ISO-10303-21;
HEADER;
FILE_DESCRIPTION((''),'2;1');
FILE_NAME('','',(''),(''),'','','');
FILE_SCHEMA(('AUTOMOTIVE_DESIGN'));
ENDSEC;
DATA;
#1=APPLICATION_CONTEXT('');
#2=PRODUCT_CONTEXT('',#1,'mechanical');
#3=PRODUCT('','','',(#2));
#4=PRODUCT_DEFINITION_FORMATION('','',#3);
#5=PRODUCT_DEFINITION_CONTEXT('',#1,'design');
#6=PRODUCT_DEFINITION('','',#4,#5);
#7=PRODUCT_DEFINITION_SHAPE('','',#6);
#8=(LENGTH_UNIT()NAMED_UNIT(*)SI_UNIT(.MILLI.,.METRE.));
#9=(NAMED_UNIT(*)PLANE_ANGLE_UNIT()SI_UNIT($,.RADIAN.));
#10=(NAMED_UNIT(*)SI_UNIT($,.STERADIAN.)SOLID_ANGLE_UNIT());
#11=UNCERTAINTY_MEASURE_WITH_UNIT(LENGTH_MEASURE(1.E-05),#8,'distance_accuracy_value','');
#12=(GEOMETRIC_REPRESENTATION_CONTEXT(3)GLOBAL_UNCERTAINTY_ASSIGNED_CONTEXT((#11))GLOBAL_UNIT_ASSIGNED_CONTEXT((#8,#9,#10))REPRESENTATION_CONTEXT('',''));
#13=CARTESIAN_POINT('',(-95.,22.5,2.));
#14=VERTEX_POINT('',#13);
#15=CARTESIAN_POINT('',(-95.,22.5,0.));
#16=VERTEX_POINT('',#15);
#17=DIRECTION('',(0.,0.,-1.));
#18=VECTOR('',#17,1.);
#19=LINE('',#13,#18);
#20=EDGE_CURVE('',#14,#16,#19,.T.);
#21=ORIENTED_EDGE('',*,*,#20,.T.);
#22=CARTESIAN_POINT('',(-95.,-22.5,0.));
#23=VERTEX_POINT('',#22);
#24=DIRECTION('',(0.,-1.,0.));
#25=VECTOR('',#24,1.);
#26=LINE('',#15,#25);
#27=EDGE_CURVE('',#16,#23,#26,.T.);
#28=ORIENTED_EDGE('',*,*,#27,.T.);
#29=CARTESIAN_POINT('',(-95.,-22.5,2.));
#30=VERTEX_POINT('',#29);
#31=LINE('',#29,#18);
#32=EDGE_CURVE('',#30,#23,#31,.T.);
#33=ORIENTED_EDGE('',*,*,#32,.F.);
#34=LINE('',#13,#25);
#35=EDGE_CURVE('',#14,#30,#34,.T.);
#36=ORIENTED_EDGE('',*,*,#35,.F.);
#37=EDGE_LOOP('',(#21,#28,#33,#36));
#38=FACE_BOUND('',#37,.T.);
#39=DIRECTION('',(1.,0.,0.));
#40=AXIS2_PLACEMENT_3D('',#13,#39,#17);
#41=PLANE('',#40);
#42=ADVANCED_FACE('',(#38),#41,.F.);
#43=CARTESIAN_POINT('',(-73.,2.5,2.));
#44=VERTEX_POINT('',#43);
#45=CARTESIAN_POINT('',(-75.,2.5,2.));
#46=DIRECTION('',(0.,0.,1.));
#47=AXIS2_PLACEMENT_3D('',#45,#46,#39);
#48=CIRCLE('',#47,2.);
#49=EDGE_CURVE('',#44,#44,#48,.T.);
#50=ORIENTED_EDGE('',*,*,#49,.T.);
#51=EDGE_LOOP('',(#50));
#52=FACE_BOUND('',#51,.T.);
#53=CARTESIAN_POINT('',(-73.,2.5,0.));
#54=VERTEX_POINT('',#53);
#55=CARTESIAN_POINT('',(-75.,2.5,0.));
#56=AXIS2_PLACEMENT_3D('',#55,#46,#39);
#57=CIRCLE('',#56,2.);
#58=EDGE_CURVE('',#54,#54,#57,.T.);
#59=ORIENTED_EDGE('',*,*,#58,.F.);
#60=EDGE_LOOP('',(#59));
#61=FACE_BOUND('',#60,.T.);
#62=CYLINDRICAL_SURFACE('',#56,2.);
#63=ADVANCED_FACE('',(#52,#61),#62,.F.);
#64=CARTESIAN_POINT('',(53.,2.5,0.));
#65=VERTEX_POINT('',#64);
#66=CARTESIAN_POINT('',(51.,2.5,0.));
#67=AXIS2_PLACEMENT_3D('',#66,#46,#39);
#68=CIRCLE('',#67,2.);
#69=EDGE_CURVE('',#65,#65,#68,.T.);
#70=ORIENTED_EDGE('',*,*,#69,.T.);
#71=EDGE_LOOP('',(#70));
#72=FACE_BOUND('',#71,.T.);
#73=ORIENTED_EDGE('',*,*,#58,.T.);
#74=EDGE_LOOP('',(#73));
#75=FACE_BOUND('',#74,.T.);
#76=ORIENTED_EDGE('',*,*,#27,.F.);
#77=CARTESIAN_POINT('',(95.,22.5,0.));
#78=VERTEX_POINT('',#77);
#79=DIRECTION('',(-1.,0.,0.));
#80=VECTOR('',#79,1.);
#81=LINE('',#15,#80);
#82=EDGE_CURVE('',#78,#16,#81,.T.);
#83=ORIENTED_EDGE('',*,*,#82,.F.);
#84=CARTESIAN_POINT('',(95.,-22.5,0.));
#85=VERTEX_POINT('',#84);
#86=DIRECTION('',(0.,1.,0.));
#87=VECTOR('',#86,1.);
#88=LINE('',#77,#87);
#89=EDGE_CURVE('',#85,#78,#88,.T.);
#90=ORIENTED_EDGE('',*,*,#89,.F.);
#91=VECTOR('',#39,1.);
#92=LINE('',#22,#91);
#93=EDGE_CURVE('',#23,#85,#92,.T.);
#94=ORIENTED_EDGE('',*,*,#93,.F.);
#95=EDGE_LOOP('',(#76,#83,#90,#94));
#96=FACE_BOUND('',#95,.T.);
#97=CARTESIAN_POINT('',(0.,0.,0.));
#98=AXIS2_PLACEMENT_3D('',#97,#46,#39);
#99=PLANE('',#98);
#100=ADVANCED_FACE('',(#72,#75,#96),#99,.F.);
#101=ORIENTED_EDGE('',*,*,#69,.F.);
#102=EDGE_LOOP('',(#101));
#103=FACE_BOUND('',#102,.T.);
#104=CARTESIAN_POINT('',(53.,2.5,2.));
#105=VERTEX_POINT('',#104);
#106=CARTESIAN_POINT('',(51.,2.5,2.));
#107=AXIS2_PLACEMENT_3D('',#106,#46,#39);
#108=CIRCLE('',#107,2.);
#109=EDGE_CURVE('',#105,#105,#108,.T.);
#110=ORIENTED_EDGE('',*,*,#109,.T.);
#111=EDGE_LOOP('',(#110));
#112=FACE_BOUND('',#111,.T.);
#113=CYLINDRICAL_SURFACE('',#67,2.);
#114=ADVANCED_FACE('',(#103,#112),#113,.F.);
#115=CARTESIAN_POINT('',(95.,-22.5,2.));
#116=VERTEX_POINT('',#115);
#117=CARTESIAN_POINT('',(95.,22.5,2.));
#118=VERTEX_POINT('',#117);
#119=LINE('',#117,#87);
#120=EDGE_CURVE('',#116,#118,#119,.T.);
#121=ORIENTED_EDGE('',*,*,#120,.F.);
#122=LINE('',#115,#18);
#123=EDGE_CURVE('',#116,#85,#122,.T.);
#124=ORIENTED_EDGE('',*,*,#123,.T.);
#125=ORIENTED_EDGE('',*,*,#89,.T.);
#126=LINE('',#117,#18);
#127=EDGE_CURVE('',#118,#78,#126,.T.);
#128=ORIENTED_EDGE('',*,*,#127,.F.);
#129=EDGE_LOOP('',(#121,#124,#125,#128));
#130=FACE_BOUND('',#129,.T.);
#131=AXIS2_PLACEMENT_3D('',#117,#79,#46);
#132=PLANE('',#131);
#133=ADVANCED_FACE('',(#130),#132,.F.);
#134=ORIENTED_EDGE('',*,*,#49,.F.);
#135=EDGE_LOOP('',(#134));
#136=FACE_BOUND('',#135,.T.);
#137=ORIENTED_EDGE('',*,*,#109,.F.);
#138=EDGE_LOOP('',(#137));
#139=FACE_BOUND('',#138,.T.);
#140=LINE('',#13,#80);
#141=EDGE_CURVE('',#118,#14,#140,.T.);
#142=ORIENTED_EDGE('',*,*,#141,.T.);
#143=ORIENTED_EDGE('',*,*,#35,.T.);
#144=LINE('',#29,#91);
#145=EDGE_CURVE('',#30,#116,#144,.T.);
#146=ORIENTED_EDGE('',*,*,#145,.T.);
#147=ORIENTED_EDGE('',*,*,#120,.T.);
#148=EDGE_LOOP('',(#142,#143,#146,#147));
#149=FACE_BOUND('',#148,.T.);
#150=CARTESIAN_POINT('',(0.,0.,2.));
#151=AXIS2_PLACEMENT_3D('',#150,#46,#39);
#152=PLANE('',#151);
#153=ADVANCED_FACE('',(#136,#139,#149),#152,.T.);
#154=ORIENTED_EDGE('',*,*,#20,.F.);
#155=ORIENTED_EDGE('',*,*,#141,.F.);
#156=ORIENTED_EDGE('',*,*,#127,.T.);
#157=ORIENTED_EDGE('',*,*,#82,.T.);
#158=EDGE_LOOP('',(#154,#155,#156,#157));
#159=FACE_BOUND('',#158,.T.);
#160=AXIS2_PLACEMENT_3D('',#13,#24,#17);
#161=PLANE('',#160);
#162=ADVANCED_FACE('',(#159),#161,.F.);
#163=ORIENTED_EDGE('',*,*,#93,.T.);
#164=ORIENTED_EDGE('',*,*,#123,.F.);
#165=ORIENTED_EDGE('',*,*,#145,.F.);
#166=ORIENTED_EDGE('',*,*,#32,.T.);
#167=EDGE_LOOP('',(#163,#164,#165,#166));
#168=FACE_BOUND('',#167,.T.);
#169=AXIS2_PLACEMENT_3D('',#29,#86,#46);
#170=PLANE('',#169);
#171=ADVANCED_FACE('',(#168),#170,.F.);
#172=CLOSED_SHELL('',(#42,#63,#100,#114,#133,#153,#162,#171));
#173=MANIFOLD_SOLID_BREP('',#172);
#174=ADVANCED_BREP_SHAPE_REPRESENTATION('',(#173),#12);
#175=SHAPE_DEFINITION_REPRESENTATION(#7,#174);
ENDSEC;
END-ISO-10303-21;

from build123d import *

# Parameters (mm, degrees)
SKETCH2_W           = 190
SKETCH2_H           = 45
BOSS_EXTRUDE1_DEPTH = 2
SKETCH3_R           = 2
CUT_EXTRUDE1_DEPTH  = 2


with BuildPart() as part:
    # Sketch2 → Boss-Extrude1 (new body)
    with BuildSketch(Plane.XY):
        Rectangle(SKETCH2_W, SKETCH2_H)
    extrude(amount=BOSS_EXTRUDE1_DEPTH)

    # Sketch3 → Cut-Extrude1 (cut)
    with BuildSketch(Plane.XY.offset(2)):
        with Locations((-75, 2.5)):
            Circle(SKETCH3_R)
        with Locations((51, 2.5)):
            Circle(SKETCH3_R)
    extrude(amount=-CUT_EXTRUDE1_DEPTH, mode=Mode.SUBTRACT)


solid = part.part
